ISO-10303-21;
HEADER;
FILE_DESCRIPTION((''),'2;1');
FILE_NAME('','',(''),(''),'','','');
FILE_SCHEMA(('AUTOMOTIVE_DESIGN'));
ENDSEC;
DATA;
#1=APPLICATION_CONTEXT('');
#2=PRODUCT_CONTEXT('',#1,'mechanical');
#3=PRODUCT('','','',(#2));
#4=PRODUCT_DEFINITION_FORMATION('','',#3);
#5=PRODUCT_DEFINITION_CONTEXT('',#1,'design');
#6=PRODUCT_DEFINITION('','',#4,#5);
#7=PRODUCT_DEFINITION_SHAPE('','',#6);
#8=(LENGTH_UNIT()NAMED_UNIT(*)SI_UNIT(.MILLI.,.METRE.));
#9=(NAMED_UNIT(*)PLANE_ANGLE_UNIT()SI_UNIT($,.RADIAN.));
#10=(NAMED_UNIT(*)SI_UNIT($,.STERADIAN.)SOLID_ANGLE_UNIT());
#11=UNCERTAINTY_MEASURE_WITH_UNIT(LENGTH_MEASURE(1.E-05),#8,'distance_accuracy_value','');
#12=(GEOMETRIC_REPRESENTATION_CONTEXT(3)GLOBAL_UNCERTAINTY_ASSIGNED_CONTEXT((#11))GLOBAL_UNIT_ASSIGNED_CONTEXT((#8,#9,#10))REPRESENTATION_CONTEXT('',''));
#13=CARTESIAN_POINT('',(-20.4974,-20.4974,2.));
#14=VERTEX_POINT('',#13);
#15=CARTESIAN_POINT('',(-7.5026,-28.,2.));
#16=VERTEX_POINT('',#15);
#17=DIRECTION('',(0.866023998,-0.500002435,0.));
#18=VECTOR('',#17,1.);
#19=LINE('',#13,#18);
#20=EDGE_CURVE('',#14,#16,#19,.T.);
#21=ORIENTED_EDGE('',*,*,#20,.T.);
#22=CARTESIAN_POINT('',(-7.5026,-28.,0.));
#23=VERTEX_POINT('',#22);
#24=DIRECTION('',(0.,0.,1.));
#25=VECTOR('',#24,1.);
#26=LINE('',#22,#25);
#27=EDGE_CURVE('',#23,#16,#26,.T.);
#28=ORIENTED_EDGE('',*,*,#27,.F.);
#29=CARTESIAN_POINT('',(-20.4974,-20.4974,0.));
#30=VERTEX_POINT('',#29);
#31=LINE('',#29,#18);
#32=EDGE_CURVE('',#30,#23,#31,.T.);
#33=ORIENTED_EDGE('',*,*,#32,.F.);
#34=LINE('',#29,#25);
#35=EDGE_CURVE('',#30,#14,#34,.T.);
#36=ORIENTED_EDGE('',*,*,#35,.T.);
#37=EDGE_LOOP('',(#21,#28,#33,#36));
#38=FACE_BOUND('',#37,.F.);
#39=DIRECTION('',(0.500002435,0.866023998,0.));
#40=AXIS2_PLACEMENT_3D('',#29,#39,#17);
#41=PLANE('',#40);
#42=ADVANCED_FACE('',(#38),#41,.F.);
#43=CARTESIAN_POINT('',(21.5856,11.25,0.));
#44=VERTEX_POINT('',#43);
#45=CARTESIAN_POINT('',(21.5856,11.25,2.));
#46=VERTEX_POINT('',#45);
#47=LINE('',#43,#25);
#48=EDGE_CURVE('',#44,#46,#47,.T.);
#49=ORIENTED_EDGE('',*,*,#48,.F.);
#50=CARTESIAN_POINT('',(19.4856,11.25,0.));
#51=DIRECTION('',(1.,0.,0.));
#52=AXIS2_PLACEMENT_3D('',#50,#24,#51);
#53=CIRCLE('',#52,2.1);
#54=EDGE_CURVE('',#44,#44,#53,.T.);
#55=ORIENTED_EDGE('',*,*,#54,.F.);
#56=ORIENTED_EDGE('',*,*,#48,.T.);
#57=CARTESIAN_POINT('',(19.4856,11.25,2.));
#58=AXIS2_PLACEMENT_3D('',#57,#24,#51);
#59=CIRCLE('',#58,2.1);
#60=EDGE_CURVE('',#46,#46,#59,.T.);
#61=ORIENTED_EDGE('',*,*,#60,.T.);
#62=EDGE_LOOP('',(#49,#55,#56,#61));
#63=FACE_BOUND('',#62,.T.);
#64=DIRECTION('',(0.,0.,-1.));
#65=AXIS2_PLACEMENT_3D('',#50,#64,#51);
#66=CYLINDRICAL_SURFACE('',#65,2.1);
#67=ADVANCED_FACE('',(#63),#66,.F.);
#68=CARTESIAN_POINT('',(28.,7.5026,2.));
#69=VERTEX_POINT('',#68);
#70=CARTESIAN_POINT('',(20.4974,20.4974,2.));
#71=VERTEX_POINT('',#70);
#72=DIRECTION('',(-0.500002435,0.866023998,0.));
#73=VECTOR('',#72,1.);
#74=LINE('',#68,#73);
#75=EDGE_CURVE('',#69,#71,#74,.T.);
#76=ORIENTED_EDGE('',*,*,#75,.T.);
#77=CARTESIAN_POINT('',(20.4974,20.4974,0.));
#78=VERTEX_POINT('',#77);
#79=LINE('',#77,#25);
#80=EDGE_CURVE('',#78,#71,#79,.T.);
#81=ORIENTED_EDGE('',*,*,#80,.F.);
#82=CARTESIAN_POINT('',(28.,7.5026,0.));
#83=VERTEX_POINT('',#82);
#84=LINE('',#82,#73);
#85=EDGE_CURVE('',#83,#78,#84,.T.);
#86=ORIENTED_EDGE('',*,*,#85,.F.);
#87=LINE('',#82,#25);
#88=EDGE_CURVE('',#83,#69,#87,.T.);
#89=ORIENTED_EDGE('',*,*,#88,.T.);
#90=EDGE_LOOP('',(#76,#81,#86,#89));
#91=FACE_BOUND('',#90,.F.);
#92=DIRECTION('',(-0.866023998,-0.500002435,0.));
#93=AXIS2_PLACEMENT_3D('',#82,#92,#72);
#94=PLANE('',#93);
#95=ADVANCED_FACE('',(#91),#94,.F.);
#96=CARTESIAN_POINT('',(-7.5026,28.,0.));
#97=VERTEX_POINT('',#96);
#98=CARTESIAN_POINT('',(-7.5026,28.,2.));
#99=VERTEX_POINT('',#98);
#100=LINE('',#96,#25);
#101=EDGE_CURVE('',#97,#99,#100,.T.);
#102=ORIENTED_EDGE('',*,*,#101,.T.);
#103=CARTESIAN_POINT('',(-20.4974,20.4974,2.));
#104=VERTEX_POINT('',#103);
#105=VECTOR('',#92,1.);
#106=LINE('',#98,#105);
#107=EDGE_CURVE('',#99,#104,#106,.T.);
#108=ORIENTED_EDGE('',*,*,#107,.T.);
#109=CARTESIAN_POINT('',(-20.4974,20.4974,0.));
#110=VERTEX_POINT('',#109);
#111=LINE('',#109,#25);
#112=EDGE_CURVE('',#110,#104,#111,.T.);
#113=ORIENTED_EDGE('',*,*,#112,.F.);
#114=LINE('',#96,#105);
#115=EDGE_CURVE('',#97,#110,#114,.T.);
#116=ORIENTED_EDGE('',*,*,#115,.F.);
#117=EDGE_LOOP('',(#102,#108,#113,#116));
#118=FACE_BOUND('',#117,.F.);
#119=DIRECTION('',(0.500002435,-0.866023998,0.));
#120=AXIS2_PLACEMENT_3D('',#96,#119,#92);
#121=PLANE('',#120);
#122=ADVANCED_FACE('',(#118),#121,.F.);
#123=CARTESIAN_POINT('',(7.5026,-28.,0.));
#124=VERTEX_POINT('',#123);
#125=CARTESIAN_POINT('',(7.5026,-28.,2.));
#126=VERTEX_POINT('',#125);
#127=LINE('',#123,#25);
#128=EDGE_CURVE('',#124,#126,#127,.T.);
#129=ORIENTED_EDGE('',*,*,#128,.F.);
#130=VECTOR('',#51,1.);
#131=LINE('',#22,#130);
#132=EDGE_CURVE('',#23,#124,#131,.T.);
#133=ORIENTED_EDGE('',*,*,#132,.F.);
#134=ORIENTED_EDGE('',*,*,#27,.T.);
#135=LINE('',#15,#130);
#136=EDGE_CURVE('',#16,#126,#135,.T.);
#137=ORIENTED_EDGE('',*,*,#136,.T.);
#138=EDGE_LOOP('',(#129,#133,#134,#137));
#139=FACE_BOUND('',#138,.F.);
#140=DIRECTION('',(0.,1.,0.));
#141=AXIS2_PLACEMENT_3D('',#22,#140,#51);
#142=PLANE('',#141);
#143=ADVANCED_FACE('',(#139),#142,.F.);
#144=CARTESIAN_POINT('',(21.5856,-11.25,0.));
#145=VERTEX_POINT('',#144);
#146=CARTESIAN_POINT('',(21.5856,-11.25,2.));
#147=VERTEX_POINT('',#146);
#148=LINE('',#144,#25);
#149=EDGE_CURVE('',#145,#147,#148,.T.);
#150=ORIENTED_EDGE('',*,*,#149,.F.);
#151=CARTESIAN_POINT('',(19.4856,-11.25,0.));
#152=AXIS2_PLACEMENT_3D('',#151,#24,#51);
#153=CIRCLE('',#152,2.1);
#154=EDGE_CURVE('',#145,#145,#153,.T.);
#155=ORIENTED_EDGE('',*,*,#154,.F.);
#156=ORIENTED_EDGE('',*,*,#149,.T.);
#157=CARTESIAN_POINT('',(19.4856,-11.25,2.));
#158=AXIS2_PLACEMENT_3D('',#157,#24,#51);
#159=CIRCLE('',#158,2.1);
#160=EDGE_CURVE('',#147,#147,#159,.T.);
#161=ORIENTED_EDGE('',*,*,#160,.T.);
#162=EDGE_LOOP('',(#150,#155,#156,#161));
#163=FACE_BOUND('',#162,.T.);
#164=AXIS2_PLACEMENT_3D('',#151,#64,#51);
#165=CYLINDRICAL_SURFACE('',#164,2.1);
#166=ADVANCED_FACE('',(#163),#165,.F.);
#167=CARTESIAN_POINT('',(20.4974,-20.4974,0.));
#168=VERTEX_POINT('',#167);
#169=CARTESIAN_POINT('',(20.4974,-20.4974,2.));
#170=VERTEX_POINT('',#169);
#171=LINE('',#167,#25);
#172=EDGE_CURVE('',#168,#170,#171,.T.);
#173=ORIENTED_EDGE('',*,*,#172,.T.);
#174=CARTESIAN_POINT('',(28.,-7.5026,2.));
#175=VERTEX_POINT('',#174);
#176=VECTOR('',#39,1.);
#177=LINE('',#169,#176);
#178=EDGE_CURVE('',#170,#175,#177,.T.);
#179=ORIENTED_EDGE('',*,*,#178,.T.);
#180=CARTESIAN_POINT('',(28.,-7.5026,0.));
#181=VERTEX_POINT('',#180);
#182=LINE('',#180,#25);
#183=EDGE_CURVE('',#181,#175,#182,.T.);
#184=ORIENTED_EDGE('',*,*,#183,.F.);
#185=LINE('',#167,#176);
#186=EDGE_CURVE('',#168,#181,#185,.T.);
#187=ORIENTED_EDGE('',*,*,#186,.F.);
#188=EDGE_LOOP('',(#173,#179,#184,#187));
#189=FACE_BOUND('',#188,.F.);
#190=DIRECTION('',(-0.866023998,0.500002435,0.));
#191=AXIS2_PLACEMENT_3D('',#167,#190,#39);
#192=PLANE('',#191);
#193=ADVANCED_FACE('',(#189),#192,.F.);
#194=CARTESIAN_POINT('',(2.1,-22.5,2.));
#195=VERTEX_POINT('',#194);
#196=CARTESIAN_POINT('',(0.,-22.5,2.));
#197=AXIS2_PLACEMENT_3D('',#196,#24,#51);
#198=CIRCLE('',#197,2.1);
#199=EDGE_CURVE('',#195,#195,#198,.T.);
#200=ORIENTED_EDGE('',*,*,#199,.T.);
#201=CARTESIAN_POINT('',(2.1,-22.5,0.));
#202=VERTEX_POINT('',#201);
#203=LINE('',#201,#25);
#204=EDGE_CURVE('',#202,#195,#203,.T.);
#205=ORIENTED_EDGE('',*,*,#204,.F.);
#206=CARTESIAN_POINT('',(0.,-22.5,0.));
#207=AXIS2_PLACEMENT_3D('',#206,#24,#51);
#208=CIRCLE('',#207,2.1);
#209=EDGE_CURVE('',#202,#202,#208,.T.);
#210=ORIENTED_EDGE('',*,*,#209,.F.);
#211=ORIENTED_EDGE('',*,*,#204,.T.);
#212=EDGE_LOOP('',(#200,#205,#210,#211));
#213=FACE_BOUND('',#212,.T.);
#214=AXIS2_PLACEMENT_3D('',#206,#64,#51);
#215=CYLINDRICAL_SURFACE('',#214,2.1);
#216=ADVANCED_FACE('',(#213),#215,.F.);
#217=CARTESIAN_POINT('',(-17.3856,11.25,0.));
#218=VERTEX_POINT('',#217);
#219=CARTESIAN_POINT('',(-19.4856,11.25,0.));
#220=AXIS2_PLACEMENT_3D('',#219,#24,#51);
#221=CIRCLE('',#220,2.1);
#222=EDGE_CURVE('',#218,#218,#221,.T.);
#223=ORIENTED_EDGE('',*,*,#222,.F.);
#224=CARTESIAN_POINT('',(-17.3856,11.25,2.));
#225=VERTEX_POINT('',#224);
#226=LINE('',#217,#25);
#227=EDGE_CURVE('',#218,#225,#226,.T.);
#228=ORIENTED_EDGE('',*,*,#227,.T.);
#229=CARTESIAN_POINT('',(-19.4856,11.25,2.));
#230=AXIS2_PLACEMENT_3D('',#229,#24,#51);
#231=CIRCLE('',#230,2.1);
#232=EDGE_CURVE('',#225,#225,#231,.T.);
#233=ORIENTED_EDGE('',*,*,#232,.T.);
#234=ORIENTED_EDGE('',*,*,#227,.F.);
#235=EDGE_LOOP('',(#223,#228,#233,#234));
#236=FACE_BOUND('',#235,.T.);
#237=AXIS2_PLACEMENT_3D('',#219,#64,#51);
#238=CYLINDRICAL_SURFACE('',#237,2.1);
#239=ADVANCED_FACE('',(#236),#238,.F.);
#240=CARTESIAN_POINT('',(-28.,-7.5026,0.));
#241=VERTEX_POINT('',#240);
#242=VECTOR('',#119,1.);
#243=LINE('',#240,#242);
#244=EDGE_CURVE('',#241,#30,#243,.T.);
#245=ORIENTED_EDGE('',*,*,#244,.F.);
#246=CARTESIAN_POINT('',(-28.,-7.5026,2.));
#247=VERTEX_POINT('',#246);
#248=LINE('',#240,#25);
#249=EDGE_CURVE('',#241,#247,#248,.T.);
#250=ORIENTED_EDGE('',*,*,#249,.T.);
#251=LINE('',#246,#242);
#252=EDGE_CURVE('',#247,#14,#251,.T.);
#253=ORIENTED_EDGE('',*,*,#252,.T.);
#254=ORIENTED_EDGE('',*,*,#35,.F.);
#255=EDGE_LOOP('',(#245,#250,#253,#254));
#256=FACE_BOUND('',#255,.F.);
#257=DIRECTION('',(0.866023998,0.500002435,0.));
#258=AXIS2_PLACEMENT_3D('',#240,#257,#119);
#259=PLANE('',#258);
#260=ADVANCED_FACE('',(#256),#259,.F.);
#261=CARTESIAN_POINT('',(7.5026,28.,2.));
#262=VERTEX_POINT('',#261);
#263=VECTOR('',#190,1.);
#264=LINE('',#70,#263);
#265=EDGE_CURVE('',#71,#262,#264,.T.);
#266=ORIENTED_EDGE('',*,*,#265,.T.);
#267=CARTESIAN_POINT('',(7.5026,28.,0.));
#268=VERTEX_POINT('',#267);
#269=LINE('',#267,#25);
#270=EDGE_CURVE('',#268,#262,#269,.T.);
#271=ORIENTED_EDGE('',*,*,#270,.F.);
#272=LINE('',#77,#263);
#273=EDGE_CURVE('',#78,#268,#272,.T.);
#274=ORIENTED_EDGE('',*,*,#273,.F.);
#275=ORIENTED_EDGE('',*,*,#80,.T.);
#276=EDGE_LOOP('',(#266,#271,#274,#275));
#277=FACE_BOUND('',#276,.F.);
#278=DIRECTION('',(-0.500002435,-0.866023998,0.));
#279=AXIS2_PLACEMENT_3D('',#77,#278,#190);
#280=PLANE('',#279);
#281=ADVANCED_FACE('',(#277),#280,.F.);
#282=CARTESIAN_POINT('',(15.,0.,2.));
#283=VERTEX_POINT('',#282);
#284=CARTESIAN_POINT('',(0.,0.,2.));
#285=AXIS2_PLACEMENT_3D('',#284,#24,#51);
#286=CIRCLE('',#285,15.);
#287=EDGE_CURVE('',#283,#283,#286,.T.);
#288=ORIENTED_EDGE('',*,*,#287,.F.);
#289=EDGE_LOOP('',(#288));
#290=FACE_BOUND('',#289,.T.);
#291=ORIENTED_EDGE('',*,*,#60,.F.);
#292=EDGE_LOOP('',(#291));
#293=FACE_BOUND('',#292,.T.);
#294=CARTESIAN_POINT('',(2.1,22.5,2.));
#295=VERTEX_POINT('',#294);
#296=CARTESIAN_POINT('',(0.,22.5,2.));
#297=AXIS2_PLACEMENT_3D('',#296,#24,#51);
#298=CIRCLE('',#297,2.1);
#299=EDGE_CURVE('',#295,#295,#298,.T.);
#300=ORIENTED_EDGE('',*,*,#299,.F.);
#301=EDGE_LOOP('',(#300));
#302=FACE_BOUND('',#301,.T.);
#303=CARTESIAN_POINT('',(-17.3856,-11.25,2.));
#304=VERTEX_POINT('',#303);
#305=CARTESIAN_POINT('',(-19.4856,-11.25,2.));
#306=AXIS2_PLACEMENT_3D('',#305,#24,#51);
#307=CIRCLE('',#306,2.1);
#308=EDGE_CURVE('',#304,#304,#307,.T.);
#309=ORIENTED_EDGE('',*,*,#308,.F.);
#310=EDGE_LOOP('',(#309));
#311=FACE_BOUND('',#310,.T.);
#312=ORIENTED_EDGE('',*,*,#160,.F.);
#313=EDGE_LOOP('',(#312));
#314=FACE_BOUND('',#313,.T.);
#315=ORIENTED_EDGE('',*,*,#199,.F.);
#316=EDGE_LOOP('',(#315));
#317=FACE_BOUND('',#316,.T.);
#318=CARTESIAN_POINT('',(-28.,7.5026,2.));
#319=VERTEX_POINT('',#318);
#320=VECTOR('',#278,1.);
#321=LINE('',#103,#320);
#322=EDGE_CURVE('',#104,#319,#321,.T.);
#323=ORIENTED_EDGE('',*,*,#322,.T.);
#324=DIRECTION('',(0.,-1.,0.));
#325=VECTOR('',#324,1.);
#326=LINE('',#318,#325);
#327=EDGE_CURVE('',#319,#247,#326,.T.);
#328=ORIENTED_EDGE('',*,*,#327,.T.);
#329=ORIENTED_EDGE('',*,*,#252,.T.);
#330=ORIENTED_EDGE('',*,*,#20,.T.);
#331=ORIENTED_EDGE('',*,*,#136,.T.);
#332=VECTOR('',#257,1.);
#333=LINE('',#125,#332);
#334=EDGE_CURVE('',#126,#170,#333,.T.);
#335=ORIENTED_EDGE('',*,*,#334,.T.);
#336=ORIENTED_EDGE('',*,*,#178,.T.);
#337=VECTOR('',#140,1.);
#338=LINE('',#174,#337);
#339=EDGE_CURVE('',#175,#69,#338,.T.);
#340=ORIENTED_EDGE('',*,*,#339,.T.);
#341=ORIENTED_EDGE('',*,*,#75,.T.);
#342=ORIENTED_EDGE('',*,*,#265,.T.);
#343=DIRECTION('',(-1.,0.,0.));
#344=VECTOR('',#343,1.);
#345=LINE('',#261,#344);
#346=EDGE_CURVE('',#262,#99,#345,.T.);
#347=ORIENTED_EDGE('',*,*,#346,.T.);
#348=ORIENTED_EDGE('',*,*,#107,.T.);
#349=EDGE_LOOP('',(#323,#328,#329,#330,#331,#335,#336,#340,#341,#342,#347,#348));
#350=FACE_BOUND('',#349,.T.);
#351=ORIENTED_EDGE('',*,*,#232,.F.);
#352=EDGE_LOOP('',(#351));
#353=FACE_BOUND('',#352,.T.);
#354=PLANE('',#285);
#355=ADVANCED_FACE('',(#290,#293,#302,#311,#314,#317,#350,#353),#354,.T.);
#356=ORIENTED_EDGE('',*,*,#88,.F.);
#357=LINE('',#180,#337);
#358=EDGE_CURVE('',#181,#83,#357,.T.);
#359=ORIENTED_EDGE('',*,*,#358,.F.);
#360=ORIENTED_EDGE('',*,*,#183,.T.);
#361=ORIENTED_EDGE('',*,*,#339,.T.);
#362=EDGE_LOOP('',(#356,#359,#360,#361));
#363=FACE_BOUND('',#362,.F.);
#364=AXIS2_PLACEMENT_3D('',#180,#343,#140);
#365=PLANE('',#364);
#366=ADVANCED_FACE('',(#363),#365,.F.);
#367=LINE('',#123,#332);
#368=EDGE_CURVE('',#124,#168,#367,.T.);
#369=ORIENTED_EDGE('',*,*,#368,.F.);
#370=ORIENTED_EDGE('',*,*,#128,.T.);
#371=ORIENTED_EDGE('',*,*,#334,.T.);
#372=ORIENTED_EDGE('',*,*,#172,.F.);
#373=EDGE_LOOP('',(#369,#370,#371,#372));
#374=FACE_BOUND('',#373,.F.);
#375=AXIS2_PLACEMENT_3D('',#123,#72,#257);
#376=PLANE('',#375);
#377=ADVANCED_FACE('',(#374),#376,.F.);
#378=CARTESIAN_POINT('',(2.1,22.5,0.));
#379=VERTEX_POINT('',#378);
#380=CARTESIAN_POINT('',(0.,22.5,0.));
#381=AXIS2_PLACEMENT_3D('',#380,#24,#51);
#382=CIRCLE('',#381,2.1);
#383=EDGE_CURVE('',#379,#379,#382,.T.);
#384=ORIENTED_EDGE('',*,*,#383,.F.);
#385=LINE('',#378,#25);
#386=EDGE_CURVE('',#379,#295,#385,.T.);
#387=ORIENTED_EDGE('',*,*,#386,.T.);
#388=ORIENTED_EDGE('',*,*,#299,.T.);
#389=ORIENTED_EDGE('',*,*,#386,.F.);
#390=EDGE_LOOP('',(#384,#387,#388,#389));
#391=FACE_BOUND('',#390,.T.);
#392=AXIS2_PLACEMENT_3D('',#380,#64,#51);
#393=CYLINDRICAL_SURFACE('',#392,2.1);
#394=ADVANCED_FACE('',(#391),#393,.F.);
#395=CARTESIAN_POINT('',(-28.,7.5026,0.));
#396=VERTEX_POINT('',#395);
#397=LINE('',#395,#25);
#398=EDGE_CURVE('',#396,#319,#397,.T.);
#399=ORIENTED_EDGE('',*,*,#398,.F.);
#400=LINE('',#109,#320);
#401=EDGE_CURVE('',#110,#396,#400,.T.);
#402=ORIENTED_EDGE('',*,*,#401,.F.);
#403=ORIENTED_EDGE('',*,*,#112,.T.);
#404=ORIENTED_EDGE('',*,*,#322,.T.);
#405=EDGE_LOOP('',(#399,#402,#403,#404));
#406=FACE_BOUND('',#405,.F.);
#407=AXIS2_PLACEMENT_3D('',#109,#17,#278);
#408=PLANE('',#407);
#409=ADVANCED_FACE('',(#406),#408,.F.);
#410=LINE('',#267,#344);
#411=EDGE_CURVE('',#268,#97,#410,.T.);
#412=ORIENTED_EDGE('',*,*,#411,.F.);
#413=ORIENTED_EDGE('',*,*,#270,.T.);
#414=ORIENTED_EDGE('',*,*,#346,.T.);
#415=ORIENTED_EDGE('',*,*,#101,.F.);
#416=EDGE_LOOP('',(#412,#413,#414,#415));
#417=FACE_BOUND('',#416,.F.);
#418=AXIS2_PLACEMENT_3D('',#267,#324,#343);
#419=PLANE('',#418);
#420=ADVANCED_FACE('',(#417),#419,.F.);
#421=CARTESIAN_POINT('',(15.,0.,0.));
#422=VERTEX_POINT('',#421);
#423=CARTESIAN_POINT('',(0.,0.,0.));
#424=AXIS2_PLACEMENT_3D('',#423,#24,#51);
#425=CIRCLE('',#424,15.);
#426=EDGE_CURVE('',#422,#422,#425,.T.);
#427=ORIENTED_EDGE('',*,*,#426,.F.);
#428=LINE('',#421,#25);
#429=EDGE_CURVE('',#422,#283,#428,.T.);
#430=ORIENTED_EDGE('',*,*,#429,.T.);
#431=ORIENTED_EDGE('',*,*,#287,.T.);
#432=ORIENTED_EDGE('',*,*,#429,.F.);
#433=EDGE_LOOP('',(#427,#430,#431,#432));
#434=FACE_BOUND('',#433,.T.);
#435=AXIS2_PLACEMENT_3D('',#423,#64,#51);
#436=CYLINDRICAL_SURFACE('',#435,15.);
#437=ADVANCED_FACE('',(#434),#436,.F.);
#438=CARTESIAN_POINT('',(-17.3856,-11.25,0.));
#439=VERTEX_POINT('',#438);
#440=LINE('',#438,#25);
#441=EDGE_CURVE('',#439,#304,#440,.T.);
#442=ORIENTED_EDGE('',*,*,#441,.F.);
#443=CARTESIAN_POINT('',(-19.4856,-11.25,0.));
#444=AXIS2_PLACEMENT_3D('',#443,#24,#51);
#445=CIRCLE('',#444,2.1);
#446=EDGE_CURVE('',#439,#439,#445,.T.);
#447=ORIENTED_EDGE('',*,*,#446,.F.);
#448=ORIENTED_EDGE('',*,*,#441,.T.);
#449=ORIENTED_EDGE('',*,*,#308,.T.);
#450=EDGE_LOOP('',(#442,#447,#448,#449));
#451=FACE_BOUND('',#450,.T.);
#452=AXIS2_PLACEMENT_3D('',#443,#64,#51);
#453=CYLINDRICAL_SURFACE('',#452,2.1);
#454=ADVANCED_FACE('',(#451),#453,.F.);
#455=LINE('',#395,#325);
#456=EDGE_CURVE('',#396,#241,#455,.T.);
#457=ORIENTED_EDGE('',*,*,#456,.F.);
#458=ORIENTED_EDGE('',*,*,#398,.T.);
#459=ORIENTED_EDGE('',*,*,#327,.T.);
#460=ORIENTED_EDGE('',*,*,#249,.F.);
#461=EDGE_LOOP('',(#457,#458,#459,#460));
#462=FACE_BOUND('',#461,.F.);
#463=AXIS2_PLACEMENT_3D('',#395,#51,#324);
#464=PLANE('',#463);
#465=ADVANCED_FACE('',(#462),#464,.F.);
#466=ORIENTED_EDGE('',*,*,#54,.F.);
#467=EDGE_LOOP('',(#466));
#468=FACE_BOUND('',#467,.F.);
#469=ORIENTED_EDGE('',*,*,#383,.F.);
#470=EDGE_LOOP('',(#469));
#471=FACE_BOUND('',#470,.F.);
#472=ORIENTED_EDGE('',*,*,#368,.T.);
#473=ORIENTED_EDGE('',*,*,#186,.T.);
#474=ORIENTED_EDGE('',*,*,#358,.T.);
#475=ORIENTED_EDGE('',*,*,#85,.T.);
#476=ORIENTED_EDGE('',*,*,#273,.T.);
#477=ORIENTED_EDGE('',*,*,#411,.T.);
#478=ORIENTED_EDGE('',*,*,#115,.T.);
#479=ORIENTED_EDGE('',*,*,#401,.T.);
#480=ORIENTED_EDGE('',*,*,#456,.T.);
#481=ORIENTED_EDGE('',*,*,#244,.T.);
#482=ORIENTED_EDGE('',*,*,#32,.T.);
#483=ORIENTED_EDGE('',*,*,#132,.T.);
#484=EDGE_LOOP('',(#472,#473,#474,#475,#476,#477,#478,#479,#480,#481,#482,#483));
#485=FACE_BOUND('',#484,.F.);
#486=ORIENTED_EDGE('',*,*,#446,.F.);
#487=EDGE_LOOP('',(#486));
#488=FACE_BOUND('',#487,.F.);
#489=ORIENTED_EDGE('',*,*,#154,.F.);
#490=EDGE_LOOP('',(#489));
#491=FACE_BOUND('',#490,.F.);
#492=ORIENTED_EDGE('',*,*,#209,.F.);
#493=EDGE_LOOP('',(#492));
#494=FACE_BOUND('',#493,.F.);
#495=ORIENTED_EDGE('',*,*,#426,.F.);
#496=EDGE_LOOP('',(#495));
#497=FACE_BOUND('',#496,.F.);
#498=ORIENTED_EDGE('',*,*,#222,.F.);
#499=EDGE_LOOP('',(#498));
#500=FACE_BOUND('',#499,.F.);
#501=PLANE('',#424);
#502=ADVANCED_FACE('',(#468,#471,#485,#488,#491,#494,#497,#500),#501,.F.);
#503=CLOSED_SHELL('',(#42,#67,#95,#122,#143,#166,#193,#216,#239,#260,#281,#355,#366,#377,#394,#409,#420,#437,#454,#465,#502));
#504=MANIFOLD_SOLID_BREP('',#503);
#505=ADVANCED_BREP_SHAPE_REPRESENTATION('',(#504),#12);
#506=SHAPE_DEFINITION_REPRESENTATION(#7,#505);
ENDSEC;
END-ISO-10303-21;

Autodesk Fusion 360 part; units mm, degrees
sketch "Sketch1" plane through (0, 0, 0) normal (0, 0, 1) x (1, 0, 0)
  line L0 (-7.5026, 28) -> (-20.4974, 20.4974)
  line L1 (-20.4974, 20.4974) -> (-28, 7.5026)
  line L2 (-28, 7.5026) -> (-28, -7.5026)
  line L3 (-28, -7.5026) -> (-20.4974, -20.4974)
  line L4 (-20.4974, -20.4974) -> (-7.5026, -28)
  line L5 (-7.5026, -28) -> (7.5026, -28)
  line L6 (7.5026, -28) -> (20.4974, -20.4974)
  line L7 (20.4974, -20.4974) -> (28, -7.5026)
  line L8 (28, -7.5026) -> (28, 7.5026)
  line L9 (28, 7.5026) -> (20.4974, 20.4974)
  line L10 (20.4974, 20.4974) -> (7.5026, 28)
  line L11 (7.5026, 28) -> (-7.5026, 28)
  circle A0 centre (0, 0) radius 22.5 construction
  line L12 (0, 0) -> (0, 28) construction
  circle A1 centre (0, 22.5) radius 2.1
  circle A2 centre (-19.4856, 11.25) radius 2.1
  circle A3 centre (-19.4856, -11.25) radius 2.1
  circle A4 centre (0, -22.5) radius 2.1
  circle A5 centre (19.4856, -11.25) radius 2.1
  circle A6 centre (19.4856, 11.25) radius 2.1
  circle A7 centre (0, 0) radius 15
  dimension "d1" = 28
  dimension "d2" = 45
  dimension "d3" = 4.2
  dimension "d5" = 360
  dimension "d6" = 30
extrude "Extrude1" add sketch "Sketch1" along normal blind 2
